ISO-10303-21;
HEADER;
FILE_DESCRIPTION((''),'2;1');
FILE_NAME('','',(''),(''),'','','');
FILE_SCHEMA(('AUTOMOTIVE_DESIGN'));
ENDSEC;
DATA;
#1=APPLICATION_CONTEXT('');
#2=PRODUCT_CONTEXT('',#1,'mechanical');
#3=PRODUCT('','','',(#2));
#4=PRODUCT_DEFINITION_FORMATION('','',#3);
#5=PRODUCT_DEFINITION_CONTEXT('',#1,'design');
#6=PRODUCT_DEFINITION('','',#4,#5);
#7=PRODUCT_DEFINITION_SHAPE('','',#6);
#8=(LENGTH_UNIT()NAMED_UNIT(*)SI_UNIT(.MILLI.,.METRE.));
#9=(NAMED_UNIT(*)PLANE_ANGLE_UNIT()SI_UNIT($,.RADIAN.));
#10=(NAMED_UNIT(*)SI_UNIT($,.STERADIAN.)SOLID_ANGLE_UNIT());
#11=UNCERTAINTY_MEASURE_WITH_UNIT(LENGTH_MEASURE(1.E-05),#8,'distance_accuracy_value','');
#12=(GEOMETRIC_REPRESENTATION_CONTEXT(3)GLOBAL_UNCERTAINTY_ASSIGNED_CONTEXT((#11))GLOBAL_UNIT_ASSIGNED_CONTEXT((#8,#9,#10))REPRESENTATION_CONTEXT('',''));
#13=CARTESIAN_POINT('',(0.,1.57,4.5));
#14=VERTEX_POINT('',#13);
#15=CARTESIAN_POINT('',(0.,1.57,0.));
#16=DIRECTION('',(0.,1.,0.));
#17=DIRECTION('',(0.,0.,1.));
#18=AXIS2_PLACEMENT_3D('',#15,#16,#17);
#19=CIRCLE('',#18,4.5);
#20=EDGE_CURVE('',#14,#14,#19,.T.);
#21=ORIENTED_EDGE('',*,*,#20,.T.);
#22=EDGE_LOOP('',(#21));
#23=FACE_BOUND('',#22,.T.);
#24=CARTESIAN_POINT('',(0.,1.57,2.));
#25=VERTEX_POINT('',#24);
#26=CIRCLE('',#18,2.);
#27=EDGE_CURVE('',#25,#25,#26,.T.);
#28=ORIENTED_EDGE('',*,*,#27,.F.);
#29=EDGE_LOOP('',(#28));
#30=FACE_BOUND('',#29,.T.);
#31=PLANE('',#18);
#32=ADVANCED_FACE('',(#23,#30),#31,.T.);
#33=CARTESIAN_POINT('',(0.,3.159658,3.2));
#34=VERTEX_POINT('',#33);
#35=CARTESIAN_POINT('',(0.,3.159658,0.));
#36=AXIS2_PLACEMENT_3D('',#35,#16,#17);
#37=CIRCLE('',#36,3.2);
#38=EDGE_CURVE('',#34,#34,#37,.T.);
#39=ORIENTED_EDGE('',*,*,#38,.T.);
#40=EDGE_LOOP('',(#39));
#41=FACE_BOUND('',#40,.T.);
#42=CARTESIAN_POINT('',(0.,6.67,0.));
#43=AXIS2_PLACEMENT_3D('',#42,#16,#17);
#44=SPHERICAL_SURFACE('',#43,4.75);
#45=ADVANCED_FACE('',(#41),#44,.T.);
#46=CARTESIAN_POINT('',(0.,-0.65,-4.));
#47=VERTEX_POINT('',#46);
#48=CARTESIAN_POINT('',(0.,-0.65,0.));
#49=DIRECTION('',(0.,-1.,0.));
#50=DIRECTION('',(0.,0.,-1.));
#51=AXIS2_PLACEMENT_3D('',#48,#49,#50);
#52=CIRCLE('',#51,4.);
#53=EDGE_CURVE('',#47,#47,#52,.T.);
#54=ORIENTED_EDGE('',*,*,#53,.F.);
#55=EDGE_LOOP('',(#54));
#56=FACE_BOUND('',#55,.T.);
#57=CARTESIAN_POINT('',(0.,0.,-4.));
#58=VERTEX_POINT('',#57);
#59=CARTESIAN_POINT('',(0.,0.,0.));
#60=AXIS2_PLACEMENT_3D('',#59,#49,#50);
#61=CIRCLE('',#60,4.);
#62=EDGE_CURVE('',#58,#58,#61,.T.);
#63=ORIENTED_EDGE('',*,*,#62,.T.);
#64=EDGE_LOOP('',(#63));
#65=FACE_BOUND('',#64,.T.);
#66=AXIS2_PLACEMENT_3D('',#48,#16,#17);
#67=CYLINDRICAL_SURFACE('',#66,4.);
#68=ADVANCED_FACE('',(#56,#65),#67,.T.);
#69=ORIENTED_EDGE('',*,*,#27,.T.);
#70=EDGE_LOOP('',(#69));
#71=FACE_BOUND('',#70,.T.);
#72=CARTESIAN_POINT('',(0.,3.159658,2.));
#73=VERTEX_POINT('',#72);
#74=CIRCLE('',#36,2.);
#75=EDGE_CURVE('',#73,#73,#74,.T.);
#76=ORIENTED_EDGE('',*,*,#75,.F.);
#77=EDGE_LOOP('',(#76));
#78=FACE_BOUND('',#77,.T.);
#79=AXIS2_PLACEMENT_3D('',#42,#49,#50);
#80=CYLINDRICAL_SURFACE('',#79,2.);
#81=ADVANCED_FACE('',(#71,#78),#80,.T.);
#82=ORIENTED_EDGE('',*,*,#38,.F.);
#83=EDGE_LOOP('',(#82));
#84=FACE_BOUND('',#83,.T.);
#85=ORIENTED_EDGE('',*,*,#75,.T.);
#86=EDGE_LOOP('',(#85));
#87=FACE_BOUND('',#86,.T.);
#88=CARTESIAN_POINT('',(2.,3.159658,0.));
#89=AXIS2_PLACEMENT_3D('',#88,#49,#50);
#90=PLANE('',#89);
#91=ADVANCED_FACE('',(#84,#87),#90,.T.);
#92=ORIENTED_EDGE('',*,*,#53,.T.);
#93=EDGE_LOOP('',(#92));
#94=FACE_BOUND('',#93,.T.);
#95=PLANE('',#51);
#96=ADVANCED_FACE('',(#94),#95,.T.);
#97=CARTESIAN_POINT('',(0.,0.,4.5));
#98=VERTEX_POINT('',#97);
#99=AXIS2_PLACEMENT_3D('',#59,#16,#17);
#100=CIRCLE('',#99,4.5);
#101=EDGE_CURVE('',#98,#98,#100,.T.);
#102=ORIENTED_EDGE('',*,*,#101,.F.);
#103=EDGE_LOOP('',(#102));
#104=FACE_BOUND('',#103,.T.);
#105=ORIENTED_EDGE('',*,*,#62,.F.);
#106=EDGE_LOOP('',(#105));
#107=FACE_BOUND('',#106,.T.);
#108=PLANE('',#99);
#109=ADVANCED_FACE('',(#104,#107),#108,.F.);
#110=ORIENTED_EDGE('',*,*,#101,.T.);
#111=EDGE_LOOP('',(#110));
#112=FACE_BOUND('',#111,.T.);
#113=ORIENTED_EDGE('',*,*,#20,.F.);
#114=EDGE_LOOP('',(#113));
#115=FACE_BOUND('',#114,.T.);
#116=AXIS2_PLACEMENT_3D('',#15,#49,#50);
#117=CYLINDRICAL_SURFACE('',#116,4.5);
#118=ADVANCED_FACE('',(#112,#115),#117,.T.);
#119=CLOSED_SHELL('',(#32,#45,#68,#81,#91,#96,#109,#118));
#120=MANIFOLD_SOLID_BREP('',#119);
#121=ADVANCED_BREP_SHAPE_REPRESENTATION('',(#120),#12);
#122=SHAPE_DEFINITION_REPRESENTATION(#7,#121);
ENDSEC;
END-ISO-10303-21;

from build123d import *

# Parameters (mm, degrees)
SKETCH1_R           = 4.5
BOSS_EXTRUDE1_DEPTH = 1.57
SKETCH2_R           = 2
BOSS_EXTRUDE2_DEPTH = 5.1
SKETCH5_W           = 1.2
SKETCH5_H           = 0.798080121
SKETCH4_R           = 4
BOSS_EXTRUDE3_DEPTH = 0.65


with BuildPart() as part:
    # Sketch1 → Boss-Extrude1 (new body)
    with BuildSketch(Plane(origin=(0, 0, 0), x_dir=(1, 0, 0), z_dir=(0, 1, 0))):
        with Locations(Location((0, 0, 0), (0, 0, 270))):
            Circle(SKETCH1_R)
    extrude(amount=BOSS_EXTRUDE1_DEPTH)

    # Sketch2 → Boss-Extrude2 (add)
    with BuildSketch(Plane(origin=(0, 1.57, 0), x_dir=(1, 0, 0), z_dir=(0, 1, 0))):
        with Locations(Location((0, 0, 0), (0, 0, 270))):
            Circle(SKETCH2_R)
    extrude(amount=BOSS_EXTRUDE2_DEPTH)

    # Sketch3 → Revolve1 (revolve)
    with BuildSketch(Plane(origin=(0, 6.67, 0), x_dir=(1, 0, 0), z_dir=(0, 1, 0))):
        with BuildLine():
            Line((0, 4.75), (0, -4.75))
            ThreePointArc((0, -4.75), (4.75, 0), (0, 4.75))
        make_face()
    revolve(axis=Axis((0, 6.67, -8.311953328), (0, 0, 1)))

    # Sketch5 → Cut-Revolve1 (revolve, cut)
    with BuildSketch(Plane.XY, mode=Mode.PRIVATE) as cut_revolve1_sk:
        with Locations((2.6, 2.760618076)):
            Rectangle(SKETCH5_W, SKETCH5_H)
    revolve(cut_revolve1_sk.sketch.rotate(Axis((0, 3.159658136, 0), (0, -1, 0)), 90), axis=Axis((0, 3.159658136, 0), (0, -1, 0)), mode=Mode.SUBTRACT)

    # Sketch4 → Boss-Extrude3 (add)
    with BuildSketch(Plane.XZ):
        with Locations(Location((0, 0, 0), (0, 0, 270))):
            Circle(SKETCH4_R)
    extrude(amount=BOSS_EXTRUDE3_DEPTH)


solid = part.part
